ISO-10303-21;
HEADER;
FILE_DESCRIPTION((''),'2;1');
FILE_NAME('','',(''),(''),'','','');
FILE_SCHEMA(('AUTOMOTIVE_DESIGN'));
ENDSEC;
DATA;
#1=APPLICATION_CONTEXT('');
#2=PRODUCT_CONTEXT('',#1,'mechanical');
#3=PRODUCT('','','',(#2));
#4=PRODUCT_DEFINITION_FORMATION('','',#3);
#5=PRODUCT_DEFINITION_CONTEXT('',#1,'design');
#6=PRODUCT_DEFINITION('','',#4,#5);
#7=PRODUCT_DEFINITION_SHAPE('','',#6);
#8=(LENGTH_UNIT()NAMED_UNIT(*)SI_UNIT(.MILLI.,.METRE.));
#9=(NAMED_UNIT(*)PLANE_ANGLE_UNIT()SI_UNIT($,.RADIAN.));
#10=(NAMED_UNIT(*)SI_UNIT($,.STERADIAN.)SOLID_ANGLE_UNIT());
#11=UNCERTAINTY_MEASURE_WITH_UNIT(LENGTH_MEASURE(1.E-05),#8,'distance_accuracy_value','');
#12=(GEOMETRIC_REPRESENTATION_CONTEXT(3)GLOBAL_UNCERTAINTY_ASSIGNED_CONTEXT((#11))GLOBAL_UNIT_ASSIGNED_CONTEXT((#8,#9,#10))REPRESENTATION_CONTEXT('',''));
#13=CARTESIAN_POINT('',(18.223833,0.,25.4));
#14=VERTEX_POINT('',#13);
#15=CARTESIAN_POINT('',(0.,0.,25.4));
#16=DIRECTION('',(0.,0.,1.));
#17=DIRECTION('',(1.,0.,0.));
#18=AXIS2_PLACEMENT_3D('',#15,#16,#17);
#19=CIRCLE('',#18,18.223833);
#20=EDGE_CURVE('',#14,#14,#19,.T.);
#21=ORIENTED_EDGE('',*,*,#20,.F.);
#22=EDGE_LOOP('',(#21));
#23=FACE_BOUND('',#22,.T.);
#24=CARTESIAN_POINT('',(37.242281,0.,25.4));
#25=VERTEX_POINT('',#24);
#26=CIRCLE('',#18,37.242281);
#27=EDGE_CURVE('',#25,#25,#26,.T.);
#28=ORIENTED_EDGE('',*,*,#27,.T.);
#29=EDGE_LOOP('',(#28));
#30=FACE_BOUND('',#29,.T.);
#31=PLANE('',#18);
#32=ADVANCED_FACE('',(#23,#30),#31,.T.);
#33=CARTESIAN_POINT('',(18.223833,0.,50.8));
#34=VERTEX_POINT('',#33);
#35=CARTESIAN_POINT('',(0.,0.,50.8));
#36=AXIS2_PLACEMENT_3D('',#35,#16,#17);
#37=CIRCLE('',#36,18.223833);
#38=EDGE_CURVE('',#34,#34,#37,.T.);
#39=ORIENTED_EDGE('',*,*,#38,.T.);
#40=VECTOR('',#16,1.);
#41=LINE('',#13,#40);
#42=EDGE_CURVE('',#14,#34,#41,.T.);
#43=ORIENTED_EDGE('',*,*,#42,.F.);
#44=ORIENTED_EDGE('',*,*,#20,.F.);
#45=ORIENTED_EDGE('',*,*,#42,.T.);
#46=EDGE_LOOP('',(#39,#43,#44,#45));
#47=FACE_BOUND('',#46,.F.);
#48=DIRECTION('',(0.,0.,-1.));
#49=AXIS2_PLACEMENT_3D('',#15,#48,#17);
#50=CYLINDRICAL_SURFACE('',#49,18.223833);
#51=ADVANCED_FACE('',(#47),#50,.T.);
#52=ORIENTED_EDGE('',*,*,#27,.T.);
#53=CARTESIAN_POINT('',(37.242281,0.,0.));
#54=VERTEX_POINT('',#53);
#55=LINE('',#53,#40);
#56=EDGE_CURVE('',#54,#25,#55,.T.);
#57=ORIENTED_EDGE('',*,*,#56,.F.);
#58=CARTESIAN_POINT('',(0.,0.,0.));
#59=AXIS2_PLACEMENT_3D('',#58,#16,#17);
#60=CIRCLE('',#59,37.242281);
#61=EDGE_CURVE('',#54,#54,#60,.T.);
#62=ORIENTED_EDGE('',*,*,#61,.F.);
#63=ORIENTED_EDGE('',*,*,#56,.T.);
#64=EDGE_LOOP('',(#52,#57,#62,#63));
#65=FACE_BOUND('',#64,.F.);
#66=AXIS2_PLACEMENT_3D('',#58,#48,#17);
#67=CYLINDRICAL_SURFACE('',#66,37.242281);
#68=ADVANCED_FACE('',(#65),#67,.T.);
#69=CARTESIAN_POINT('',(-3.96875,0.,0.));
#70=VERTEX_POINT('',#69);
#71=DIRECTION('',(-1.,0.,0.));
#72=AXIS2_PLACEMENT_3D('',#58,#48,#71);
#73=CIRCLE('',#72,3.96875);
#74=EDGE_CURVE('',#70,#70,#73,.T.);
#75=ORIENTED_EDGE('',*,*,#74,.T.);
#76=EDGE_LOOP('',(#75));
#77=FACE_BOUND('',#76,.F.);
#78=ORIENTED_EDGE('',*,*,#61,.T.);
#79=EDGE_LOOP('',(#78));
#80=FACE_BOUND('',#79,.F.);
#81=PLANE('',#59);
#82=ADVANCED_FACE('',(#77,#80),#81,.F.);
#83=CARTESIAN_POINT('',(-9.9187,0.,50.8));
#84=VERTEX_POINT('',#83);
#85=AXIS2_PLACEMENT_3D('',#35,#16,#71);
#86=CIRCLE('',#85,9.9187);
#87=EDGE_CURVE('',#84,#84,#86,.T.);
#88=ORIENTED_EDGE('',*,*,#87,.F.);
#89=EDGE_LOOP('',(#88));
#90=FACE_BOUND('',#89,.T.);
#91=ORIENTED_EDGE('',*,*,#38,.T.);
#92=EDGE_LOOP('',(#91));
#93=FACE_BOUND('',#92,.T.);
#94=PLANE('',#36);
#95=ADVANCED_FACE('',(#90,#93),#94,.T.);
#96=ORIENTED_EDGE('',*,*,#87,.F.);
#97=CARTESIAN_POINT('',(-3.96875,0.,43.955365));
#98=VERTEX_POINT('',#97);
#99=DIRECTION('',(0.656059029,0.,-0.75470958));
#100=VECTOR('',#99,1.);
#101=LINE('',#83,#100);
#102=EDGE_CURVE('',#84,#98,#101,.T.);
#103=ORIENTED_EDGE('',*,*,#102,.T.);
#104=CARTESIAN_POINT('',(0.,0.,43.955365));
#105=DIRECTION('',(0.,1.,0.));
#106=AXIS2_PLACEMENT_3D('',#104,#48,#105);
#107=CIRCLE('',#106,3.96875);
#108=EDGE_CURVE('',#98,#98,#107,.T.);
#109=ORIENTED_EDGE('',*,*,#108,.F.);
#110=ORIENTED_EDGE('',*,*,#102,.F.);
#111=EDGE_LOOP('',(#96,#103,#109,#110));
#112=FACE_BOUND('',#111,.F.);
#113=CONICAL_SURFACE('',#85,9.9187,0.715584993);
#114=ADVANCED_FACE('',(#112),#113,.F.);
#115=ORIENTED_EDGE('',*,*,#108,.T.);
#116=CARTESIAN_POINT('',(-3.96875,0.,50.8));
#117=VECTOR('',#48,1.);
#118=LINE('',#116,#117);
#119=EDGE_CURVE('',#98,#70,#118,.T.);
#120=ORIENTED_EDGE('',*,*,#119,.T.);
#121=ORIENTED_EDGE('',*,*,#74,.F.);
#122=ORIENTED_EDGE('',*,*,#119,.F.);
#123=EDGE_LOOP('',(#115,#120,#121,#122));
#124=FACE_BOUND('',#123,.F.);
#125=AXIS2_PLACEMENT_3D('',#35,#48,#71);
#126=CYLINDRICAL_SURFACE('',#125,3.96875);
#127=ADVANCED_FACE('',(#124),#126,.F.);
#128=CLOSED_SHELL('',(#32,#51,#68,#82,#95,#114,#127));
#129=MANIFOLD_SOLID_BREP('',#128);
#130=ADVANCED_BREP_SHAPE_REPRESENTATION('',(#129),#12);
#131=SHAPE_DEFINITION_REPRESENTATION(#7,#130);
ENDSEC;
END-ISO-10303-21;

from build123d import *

# Parameters (mm, degrees)
F0_R           = 37.2422807911
F1_DEPTH       = 25.4
F2_R           = 18.2238332667
F3_DEPTH       = 25.4
F5_D           = 7.9375
F5_CSINK_D     = 19.8374
F5_CSINK_ANGLE = 82


with BuildPart() as f1:
    # F0 (on Top) → F1 (new body)
    with BuildSketch(Plane.XY):
        Circle(F0_R)
    extrude(amount=F1_DEPTH)

    # F2 (on face) → F3 (join)
    with BuildSketch(Plane.XY.offset(25.4)):
        Circle(F2_R)
    extrude(amount=F3_DEPTH)

    # F5 (through all)
    with Locations(Plane.XY.offset(50.8)):
        with Locations((0, 0)):
            CounterSinkHole(F5_D / 2, F5_CSINK_D / 2, counter_sink_angle=F5_CSINK_ANGLE)


solid = f1.part
